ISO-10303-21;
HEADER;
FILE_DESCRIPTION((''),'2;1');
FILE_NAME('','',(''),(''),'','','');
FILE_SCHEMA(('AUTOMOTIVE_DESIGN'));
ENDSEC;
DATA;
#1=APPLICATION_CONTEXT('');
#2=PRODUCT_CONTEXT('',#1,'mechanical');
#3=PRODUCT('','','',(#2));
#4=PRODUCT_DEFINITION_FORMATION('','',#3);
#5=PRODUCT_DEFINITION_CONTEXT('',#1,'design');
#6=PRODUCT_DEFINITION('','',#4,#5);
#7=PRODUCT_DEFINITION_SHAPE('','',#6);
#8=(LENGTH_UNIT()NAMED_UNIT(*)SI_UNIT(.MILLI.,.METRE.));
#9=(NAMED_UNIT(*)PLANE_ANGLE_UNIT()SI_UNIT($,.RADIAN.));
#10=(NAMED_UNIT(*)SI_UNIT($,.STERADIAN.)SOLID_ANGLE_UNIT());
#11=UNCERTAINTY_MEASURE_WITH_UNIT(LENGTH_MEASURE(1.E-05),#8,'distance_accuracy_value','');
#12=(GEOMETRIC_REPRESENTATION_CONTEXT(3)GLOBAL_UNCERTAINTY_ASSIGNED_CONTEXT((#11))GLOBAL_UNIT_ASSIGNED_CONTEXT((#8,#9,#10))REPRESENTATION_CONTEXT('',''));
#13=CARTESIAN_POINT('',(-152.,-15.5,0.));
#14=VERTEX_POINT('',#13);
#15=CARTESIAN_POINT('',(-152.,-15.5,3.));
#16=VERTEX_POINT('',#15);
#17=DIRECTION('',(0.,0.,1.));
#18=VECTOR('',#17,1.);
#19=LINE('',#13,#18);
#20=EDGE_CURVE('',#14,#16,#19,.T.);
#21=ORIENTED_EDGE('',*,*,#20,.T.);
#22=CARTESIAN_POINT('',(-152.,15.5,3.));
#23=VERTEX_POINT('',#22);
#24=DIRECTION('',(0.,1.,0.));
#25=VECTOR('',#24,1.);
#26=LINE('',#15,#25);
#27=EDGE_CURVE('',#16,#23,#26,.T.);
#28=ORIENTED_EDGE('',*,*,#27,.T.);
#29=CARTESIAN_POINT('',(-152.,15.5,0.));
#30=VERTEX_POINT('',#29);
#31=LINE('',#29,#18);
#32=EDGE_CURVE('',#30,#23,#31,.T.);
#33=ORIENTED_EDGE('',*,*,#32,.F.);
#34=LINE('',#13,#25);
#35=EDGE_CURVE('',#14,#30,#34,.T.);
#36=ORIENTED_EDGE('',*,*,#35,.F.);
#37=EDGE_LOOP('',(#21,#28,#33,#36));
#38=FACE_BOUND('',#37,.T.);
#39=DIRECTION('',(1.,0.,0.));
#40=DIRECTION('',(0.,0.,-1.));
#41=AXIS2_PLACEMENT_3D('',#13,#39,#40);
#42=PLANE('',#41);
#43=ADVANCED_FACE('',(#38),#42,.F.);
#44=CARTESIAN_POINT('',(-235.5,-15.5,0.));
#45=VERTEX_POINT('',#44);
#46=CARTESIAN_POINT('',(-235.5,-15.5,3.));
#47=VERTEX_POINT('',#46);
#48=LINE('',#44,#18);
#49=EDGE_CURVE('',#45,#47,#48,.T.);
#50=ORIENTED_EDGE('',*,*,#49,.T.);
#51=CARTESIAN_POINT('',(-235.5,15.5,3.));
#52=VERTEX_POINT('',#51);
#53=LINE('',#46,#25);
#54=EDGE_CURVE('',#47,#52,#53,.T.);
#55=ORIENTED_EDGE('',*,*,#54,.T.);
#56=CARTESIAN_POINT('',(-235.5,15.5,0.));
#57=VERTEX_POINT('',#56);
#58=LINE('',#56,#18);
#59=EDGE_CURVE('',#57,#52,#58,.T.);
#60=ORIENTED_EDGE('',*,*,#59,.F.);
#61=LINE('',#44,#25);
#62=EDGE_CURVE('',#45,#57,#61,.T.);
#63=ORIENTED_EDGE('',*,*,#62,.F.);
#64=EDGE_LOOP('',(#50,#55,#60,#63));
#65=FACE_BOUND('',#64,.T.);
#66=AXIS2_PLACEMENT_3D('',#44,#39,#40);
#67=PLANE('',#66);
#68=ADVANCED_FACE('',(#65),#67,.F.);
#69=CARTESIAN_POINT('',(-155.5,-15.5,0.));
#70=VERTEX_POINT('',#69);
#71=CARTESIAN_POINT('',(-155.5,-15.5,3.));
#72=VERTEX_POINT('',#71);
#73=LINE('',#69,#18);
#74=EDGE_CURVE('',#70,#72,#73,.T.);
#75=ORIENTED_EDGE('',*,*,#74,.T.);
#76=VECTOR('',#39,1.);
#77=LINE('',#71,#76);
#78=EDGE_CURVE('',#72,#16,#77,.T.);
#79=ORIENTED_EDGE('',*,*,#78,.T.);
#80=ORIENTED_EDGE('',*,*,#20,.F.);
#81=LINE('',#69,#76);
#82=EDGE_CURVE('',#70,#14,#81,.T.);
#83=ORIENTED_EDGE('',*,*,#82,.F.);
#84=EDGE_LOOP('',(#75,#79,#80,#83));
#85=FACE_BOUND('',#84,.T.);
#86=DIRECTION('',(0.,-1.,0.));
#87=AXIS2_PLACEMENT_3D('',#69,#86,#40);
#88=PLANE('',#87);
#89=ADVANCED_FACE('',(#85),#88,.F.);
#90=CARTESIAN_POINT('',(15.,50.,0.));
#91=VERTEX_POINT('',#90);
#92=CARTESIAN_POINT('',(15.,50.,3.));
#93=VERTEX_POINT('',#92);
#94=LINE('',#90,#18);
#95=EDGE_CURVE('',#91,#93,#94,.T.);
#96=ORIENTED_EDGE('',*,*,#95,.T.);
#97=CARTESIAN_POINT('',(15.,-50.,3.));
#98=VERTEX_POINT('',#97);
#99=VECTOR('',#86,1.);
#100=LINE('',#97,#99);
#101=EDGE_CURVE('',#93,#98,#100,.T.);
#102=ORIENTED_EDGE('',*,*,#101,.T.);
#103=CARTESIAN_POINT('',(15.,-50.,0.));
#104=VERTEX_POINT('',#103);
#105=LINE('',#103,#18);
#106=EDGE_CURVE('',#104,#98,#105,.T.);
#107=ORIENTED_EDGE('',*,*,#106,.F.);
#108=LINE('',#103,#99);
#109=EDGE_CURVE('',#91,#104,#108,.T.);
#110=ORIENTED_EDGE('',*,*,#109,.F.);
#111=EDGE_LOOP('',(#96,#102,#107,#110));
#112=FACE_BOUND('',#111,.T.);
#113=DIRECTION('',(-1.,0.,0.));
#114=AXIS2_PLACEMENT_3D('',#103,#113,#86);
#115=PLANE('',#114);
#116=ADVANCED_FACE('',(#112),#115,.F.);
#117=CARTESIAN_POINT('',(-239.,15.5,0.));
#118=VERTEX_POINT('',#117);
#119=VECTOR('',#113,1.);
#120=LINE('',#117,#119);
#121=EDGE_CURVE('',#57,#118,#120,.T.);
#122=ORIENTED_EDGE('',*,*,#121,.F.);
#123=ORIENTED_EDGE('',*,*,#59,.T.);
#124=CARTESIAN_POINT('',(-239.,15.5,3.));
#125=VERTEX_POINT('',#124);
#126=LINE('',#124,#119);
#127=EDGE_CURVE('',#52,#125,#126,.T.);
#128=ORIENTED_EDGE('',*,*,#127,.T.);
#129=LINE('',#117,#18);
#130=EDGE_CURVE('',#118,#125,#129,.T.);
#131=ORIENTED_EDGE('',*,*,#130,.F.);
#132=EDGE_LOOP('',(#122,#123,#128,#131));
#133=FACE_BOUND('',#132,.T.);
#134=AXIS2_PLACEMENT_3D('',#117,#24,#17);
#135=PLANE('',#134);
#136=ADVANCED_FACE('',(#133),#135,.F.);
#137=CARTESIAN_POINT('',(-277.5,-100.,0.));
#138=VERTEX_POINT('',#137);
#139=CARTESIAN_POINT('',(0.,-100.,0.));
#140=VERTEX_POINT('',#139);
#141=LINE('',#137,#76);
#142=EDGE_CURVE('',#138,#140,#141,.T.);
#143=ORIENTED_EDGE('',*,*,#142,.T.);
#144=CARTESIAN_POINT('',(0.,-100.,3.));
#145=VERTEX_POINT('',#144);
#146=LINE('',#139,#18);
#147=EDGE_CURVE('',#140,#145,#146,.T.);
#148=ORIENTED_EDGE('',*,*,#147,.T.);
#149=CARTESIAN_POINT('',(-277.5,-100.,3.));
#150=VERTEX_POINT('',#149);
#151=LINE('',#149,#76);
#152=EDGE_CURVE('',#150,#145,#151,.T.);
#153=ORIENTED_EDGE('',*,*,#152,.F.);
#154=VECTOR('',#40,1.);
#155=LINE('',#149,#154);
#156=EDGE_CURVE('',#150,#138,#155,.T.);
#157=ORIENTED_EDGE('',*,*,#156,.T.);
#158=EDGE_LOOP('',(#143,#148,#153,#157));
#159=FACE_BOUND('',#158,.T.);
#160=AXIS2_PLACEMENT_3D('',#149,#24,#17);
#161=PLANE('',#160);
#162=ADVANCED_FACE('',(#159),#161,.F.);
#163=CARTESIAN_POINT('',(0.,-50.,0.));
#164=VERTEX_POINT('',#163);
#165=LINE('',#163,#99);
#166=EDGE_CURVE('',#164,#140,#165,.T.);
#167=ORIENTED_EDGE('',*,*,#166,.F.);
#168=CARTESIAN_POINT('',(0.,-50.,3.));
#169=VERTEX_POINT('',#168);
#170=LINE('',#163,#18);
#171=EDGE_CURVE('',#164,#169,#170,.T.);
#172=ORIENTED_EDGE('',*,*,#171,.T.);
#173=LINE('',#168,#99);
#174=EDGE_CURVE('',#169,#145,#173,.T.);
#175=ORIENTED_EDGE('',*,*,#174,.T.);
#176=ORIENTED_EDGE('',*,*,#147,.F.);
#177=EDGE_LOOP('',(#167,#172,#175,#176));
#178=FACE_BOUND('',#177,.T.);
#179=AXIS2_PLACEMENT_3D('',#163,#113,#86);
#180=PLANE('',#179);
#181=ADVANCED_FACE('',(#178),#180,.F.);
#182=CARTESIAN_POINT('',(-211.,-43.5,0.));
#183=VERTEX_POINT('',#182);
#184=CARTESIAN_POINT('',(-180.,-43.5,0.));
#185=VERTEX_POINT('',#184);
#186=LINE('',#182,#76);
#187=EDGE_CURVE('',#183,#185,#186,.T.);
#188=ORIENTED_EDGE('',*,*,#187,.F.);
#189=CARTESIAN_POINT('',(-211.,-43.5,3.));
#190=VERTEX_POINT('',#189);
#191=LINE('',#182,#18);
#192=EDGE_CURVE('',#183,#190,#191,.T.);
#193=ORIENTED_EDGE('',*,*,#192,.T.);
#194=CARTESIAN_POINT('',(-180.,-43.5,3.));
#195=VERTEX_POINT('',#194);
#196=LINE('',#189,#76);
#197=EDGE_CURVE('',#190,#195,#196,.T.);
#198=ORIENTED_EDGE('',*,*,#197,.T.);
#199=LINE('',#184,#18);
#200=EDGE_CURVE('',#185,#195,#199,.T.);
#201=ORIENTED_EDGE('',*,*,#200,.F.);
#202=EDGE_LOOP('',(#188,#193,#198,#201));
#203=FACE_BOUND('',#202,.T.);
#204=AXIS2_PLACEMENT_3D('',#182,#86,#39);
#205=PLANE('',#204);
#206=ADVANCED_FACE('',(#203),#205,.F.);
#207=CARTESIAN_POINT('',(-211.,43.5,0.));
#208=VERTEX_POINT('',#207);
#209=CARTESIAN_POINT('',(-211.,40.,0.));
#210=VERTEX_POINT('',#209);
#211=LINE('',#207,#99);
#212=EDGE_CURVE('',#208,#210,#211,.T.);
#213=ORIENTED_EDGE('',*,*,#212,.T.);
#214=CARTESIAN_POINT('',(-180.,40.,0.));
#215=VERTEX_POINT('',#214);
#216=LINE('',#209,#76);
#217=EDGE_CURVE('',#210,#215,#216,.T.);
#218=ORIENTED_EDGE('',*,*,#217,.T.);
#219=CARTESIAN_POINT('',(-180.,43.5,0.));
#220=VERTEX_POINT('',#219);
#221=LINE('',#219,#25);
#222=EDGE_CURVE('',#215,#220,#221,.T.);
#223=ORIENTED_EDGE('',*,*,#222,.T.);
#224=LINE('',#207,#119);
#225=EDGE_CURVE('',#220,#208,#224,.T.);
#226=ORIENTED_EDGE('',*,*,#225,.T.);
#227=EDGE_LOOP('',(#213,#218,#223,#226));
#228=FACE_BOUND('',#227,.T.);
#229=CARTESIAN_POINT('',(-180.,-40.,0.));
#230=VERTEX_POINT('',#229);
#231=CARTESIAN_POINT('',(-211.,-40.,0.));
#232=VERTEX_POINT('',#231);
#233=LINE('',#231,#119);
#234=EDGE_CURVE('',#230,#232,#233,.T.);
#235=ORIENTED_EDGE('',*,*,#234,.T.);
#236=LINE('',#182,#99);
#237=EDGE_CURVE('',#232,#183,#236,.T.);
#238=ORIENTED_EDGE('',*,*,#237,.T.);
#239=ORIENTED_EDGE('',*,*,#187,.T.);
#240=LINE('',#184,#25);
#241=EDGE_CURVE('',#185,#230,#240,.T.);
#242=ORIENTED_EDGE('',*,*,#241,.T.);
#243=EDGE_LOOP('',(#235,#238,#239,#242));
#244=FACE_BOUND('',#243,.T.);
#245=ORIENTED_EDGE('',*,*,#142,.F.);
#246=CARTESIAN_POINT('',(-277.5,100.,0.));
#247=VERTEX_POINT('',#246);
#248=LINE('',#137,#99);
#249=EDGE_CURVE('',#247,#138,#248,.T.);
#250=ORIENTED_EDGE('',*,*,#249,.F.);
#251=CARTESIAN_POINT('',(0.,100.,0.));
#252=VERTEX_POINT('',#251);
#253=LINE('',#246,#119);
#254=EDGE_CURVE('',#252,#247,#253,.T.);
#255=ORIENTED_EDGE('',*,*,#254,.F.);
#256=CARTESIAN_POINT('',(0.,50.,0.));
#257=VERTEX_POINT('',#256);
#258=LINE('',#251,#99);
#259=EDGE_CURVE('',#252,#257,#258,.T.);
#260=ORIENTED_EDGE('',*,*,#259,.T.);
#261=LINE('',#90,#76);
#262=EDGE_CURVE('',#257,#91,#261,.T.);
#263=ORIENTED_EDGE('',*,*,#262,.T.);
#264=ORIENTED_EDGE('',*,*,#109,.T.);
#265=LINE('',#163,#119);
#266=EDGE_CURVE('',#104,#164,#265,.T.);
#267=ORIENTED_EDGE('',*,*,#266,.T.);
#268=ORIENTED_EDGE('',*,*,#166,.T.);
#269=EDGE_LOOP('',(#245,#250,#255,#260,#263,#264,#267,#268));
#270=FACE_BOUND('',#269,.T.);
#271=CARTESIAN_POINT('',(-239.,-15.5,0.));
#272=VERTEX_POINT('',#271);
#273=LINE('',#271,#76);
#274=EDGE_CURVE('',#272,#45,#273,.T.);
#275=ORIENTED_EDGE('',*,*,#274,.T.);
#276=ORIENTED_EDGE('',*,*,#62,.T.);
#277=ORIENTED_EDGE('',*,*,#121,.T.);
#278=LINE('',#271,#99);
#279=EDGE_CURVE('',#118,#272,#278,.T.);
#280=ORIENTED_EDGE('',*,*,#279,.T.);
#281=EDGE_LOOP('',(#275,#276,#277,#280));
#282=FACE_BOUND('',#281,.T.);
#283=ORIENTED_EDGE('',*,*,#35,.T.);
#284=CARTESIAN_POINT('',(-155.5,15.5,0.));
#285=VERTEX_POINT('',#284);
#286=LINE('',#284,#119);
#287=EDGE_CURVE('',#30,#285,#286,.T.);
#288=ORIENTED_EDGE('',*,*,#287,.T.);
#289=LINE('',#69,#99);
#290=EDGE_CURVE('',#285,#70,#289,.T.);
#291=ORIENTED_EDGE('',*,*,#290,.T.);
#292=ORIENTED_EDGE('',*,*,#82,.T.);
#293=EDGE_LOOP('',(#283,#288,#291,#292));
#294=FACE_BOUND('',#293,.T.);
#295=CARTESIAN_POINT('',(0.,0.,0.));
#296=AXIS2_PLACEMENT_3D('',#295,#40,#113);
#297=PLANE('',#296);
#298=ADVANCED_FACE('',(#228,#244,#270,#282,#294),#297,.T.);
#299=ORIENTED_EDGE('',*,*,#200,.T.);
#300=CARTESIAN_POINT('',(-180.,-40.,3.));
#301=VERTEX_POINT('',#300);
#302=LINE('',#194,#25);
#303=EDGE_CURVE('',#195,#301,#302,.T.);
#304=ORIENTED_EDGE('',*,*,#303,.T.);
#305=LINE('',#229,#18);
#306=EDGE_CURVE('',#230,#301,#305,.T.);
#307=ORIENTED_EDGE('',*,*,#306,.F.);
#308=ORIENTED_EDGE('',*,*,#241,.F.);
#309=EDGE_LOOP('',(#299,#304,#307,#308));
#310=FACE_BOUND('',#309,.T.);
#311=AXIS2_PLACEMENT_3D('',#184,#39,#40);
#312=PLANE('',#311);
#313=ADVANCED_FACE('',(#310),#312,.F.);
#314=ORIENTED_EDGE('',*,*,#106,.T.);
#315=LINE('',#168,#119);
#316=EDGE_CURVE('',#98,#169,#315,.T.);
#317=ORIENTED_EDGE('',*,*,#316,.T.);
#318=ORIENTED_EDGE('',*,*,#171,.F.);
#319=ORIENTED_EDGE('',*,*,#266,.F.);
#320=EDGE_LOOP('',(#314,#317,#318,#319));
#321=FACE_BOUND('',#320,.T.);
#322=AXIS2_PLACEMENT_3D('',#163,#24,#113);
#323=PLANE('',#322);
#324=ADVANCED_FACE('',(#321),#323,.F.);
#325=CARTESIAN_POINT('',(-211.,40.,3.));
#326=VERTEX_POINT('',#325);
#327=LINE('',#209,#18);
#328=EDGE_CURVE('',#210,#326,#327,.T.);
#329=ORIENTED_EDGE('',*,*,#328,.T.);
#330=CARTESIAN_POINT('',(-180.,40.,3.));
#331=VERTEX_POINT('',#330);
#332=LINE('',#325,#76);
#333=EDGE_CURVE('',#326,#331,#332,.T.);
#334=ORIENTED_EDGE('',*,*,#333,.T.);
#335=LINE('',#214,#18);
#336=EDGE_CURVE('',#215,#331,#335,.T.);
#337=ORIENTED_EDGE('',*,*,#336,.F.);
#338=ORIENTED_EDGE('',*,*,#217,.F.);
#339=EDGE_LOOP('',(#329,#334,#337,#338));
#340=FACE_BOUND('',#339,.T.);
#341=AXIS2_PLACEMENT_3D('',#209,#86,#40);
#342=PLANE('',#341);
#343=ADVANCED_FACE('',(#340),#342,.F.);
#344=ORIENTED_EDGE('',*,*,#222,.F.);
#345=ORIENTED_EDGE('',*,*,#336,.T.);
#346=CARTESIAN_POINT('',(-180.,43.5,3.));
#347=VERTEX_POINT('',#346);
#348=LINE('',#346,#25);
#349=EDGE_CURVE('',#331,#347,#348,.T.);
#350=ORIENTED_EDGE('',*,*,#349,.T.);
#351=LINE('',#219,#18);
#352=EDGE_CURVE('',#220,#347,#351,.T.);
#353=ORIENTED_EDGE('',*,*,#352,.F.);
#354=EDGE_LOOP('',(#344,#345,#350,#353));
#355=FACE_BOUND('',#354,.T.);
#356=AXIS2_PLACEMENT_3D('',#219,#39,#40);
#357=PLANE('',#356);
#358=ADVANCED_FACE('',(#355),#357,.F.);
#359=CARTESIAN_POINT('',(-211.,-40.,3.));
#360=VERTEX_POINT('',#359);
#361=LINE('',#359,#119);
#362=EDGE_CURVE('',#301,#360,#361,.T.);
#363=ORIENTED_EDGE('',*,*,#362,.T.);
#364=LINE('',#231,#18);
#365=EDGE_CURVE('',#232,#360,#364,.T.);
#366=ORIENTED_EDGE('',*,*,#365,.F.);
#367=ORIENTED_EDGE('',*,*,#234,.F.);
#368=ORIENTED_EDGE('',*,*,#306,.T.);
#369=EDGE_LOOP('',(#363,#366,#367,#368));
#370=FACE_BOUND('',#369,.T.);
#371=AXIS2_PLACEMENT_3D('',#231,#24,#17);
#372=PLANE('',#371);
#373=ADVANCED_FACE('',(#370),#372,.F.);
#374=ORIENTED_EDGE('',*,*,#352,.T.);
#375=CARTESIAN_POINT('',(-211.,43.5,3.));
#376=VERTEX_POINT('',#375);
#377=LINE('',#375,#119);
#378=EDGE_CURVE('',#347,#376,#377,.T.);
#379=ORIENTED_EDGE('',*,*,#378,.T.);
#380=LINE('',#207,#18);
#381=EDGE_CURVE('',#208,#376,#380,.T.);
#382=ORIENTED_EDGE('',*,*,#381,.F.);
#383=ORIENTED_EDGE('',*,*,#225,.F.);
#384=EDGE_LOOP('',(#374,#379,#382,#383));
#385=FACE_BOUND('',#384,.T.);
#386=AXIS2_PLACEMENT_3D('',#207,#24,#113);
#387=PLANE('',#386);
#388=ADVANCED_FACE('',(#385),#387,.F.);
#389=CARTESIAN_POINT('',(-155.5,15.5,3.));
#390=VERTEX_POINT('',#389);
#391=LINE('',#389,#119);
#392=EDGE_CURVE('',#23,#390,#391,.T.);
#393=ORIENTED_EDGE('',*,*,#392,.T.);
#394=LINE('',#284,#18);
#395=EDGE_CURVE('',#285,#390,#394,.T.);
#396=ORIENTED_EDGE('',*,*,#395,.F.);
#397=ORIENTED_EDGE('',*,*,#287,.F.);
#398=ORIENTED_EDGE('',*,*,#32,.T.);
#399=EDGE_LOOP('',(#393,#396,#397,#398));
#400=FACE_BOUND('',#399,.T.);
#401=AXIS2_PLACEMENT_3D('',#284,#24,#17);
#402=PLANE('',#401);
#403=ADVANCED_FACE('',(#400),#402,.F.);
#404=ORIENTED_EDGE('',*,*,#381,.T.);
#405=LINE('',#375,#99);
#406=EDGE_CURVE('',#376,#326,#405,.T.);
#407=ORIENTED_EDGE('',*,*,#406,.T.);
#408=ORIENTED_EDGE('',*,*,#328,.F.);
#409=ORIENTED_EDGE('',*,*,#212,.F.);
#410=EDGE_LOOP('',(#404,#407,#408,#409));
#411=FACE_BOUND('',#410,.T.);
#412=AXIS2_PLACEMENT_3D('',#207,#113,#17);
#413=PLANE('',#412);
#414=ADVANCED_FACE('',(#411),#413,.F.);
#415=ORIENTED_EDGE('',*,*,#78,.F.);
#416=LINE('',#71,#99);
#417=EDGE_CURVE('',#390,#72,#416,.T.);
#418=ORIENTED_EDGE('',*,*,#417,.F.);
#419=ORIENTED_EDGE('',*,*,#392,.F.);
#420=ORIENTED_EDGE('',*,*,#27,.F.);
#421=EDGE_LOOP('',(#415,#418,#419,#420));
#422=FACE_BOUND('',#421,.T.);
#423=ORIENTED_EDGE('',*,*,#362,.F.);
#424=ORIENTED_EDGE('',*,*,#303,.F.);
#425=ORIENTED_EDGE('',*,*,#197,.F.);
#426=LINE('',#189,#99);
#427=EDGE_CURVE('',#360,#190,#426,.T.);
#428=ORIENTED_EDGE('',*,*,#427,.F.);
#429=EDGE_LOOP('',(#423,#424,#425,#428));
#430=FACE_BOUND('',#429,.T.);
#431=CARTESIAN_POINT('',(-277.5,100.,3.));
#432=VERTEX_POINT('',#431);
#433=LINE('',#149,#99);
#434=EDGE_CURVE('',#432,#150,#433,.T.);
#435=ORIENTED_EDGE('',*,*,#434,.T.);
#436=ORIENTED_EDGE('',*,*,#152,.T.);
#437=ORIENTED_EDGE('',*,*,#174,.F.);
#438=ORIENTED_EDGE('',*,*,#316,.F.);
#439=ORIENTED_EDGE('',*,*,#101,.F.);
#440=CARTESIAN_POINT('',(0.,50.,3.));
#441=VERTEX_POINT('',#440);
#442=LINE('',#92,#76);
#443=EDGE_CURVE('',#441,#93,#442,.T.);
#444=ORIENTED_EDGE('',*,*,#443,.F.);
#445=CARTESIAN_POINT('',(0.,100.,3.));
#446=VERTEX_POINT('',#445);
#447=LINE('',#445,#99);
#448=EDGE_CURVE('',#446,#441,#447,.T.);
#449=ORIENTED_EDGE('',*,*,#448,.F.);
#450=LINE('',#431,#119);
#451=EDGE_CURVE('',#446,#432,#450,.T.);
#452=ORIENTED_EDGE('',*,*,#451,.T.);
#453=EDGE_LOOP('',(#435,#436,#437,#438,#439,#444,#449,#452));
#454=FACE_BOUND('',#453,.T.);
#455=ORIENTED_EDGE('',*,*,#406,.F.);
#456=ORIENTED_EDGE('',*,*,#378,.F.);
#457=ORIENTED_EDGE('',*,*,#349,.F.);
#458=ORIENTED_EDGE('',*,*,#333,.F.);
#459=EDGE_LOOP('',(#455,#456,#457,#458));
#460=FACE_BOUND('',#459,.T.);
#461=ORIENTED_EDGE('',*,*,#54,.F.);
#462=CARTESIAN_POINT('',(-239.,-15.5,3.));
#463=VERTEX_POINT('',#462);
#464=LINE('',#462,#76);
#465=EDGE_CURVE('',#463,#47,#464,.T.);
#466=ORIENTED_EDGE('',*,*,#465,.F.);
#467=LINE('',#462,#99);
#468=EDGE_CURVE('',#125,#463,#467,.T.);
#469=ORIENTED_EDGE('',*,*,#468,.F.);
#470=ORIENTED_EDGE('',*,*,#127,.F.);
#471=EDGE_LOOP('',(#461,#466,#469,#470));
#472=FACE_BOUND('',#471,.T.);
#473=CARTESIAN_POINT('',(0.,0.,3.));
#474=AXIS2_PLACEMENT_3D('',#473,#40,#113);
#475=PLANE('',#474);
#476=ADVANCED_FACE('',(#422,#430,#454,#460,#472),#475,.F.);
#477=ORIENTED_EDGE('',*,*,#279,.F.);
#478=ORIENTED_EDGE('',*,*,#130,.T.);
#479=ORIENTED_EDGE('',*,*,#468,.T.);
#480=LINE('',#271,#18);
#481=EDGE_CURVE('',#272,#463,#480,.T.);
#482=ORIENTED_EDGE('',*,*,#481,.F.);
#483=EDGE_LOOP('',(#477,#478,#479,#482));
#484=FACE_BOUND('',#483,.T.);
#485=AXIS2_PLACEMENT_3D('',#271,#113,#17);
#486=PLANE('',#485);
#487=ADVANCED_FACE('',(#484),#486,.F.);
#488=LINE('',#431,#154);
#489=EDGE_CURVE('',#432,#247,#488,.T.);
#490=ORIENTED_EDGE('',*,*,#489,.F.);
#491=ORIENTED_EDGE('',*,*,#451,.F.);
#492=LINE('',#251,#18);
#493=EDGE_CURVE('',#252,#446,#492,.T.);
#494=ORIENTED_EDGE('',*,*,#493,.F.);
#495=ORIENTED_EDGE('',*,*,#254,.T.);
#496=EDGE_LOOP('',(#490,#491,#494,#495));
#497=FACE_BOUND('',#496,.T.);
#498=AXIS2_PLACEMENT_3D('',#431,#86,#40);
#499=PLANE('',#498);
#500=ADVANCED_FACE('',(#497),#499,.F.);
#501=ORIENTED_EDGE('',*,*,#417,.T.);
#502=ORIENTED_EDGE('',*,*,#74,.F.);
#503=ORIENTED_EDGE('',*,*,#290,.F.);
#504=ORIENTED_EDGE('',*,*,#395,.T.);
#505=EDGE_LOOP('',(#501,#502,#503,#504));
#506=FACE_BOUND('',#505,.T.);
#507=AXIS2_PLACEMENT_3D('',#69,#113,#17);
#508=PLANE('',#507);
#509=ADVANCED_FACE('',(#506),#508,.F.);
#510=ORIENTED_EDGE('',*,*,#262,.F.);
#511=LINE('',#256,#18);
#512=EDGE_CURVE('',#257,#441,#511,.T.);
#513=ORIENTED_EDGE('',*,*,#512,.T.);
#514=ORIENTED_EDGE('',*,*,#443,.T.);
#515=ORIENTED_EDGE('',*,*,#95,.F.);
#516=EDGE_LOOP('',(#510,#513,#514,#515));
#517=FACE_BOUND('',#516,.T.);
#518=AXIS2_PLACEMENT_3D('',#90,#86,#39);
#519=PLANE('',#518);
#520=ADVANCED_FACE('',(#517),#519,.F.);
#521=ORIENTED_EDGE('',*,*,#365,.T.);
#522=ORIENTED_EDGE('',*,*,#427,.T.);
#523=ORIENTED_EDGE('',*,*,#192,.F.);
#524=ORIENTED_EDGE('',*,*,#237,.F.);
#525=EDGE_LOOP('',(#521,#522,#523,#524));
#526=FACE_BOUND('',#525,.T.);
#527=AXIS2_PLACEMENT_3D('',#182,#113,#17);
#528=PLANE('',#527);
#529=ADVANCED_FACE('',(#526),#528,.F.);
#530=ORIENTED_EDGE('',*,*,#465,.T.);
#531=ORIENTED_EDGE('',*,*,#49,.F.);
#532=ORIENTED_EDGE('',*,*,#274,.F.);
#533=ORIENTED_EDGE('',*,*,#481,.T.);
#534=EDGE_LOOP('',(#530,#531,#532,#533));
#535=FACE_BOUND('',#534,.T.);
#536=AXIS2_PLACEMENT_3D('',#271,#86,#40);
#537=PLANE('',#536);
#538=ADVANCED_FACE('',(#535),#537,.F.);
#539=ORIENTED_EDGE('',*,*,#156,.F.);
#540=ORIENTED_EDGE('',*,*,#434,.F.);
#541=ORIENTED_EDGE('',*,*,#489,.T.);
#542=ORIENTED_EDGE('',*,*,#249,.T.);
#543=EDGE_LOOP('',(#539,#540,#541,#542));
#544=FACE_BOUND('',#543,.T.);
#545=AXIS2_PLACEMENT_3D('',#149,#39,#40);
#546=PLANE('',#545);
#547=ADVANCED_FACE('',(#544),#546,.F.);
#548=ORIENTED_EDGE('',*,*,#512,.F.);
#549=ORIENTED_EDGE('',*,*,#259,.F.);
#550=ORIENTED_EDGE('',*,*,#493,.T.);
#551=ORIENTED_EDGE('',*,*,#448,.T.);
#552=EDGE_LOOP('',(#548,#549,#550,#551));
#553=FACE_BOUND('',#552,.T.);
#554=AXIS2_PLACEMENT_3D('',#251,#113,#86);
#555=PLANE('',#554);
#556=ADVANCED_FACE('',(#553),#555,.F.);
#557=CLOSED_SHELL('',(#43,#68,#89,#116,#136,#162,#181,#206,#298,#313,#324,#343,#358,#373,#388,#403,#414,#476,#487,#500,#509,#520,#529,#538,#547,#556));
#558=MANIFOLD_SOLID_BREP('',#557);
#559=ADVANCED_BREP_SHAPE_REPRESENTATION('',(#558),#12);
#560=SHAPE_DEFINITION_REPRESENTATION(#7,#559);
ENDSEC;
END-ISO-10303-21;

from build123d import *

# Parameters (mm, degrees)
ESBO_O1_W                = 555
ESBO_O1_H                = 200
RESSALTO_EXTRUS_O1_DEPTH = 3
ESBO_O2_W                = 3.5
ESBO_O2_H                = 31
ESBO_O2_W_2              = 31
ESBO_O2_H_2              = 3.5
CORTE_EXTRUS_O1_DEPTH    = 295.983474113
CORTE_EXTRUS_O2_DEPTH    = 295.983474113


with BuildPart() as part:
    # Esboço1 → Ressalto-extrusão1 (new body)
    with BuildSketch(Plane.XY):
        Rectangle(ESBO_O1_W, ESBO_O1_H)
    extrude(amount=RESSALTO_EXTRUS_O1_DEPTH)

    # Esboço2 → Corte-extrusão1 (cut, through all)
    with BuildSketch(Plane.XY.offset(3)):
        with Locations((237.25, 0)):
            Rectangle(ESBO_O2_W, ESBO_O2_H)
        with Locations((-153.75, 0)):
            Rectangle(ESBO_O2_W, ESBO_O2_H)
        with Locations((-237.25, 0)):
            Rectangle(ESBO_O2_W, ESBO_O2_H)
        with Locations((-195.5, 41.75)):
            Rectangle(ESBO_O2_W_2, ESBO_O2_H_2)
        with Locations((-195.5, -41.75)):
            Rectangle(ESBO_O2_W_2, ESBO_O2_H_2)
        with Locations((153.75, 0)):
            Rectangle(ESBO_O2_W, ESBO_O2_H)
        with Locations((195.5, -41.75)):
            Rectangle(ESBO_O2_W_2, ESBO_O2_H_2)
        with Locations((195.5, 41.75)):
            Rectangle(ESBO_O2_W_2, ESBO_O2_H_2)
    extrude(amount=-CORTE_EXTRUS_O1_DEPTH, mode=Mode.SUBTRACT)

    # Esboço3 → Corte-extrusão2 (cut, through all)
    with BuildSketch(Plane.XY.offset(3)):
        Polygon((0, 100), (0, 50), (15, 50), (15, -50), (0, -50), (0, -100), (277.5, -100), (277.5, 100), align=None)
    extrude(amount=-CORTE_EXTRUS_O2_DEPTH, mode=Mode.SUBTRACT)


solid = part.part
